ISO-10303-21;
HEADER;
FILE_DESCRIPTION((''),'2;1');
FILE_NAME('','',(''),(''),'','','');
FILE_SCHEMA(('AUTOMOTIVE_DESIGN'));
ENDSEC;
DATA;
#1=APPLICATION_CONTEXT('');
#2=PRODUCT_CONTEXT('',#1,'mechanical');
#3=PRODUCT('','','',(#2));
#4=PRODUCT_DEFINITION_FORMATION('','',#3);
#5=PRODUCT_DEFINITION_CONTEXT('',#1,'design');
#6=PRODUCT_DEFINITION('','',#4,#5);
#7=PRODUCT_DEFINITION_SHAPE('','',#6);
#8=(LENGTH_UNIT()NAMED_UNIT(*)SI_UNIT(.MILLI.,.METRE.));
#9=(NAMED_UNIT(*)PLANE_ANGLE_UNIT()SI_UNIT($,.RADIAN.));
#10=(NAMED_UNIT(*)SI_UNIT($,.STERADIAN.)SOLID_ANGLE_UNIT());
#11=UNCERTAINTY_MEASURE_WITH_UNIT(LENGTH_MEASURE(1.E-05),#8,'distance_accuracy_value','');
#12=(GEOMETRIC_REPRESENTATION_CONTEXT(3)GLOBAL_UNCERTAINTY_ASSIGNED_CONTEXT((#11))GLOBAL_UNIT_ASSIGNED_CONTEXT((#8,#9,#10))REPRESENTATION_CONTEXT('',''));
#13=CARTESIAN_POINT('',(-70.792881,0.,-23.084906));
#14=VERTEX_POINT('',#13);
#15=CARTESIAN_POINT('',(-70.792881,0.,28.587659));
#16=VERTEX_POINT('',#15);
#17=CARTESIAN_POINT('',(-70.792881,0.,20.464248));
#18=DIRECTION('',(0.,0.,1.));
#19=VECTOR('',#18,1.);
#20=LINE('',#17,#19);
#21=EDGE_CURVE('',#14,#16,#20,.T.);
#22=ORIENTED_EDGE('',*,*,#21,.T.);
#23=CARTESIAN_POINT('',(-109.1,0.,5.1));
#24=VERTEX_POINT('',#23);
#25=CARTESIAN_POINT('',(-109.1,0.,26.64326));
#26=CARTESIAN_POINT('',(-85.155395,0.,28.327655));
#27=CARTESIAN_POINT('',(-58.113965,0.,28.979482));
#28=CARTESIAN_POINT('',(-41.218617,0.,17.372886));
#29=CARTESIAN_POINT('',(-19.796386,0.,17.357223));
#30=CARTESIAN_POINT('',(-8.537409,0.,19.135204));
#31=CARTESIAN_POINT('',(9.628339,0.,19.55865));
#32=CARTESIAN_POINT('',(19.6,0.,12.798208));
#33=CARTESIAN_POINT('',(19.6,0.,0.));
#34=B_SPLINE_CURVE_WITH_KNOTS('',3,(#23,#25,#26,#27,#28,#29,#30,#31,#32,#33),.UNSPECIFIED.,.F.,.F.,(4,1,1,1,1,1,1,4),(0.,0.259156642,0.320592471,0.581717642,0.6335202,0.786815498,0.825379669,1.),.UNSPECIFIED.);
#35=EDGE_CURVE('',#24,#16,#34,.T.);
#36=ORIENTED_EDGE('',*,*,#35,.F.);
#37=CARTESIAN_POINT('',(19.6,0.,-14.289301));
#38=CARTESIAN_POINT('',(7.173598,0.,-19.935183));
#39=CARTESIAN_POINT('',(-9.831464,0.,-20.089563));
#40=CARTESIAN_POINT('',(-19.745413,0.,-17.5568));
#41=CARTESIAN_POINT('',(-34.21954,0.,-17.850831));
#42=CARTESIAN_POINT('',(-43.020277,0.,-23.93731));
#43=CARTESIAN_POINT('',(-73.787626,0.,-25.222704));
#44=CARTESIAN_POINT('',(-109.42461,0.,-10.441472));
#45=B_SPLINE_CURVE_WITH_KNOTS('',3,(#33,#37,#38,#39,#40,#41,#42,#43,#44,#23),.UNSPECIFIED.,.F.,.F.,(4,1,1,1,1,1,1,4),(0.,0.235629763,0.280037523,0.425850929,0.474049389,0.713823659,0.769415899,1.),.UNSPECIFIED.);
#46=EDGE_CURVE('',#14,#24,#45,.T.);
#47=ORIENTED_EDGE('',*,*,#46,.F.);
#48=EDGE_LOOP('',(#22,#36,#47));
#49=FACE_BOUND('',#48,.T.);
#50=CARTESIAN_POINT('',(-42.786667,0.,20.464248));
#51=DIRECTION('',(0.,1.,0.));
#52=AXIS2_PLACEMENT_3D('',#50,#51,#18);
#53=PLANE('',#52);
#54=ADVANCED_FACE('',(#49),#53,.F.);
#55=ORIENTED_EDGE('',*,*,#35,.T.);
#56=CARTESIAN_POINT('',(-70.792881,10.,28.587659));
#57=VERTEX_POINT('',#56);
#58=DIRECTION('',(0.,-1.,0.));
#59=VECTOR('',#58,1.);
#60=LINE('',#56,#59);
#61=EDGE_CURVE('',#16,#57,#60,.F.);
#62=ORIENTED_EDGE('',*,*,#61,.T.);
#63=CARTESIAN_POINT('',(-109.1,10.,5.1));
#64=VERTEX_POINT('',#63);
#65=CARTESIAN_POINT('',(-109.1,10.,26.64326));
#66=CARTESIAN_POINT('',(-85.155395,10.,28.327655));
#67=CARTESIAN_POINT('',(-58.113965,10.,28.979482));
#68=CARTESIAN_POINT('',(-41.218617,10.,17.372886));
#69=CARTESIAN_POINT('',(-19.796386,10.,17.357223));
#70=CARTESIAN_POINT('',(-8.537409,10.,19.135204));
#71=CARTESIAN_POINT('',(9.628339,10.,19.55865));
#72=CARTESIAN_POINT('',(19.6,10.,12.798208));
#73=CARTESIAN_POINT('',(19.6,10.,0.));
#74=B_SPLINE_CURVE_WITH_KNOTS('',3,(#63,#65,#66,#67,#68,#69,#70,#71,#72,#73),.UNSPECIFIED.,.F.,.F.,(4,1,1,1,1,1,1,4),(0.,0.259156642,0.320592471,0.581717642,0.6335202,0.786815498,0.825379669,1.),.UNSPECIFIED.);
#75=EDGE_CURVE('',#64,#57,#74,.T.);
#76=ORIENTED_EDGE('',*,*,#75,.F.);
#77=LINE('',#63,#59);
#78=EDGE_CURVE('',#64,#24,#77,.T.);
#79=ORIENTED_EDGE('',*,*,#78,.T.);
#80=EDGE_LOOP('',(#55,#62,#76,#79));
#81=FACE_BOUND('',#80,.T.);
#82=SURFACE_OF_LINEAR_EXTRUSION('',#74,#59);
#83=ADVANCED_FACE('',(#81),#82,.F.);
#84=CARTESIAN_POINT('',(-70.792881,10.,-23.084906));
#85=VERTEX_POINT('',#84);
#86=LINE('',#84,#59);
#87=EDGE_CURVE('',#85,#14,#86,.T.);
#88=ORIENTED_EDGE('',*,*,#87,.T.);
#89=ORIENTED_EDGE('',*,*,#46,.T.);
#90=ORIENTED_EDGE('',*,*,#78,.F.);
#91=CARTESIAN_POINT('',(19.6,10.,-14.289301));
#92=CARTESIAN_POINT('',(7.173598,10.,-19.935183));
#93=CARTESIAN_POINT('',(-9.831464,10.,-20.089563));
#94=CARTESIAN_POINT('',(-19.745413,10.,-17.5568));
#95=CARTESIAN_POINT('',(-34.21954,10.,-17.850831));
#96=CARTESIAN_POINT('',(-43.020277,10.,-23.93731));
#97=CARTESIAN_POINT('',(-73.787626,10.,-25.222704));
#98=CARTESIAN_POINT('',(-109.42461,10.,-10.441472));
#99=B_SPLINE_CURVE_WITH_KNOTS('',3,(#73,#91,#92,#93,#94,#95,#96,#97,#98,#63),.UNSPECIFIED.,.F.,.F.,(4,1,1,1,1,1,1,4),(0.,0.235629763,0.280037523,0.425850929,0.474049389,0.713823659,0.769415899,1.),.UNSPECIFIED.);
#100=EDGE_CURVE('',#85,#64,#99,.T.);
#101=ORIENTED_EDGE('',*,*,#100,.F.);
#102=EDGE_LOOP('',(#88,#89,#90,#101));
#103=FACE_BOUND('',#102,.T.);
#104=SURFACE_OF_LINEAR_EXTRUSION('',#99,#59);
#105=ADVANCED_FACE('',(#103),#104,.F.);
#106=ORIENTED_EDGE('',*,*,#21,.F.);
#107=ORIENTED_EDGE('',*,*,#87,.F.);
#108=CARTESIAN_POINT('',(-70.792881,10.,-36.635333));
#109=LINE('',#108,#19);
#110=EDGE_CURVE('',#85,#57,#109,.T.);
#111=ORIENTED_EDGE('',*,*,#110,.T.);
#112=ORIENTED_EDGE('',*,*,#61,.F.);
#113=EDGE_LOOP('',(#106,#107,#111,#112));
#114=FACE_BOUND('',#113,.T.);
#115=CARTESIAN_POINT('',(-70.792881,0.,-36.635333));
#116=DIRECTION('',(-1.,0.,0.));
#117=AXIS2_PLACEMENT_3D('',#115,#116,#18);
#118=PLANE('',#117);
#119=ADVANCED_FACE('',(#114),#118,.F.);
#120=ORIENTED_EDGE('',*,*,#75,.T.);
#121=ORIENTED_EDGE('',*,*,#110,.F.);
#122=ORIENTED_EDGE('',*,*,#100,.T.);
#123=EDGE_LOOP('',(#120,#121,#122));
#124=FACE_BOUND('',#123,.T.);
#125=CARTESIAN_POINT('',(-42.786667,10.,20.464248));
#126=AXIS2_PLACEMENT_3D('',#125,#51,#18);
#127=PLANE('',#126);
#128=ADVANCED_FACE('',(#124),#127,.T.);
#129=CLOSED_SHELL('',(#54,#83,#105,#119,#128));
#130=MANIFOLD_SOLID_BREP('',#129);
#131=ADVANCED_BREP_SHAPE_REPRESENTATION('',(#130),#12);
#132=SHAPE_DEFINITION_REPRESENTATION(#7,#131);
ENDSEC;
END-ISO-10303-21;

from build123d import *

# Parameters (mm, degrees)
BOSS_EXTRUDE1_DEPTH = 10
SKETCH4_W           = 100.618429476
SKETCH4_H           = 73.47084465
CUT_EXTRUDE1_DEPTH  = 11.0000001


with BuildPart() as part:
    # Sketch2 → Boss-Extrude1 (new body)
    with BuildSketch(Plane(origin=(0, 0, 0), x_dir=(1, 0, 0), z_dir=(0, 1, 0))):
        with BuildLine():
            add(Edge.make_bspline(
                [(-109.1, -5.1), (-109.424609826, 10.441471911), (-73.787625733, 25.22270358), (-43.020276746, 23.937309848), (-34.219540496, 17.85083091), (-19.745412821, 17.556799812), (-9.831464388, 20.08956268), (7.173597662, 19.935183257), (19.6, 14.289300505), (19.6, 0)],
                knots=[0, 0, 0, 0, 0.230584101, 0.286176341, 0.525950611, 0.574149071, 0.719962477, 0.764370237, 1, 1, 1, 1], degree=3))
            add(Edge.make_bspline(
                [(19.6, 0), (19.6, -12.798208112), (9.628339195, -19.558649887), (-8.537408911, -19.135204318), (-19.796385689, -17.357223298), (-41.21861702, -17.372886462), (-58.113965099, -28.979482333), (-85.155395015, -28.327654779), (-109.1, -26.64326042), (-109.1, -5.1)],
                knots=[0, 0, 0, 0, 0.174620331, 0.213184502, 0.3664798, 0.418282358, 0.679407529, 0.740843358, 1, 1, 1, 1], degree=3))
        make_face()
    extrude(amount=BOSS_EXTRUDE1_DEPTH)

    # Sketch4 → Cut-Extrude1 (cut, through all)
    with BuildSketch(Plane(origin=(0, 10, 0), x_dir=(1, 0, 0), z_dir=(0, 1, 0))):
        with Locations((-20.483666123, -0.100088959)):
            Rectangle(SKETCH4_W, SKETCH4_H)
    extrude(amount=-CUT_EXTRUDE1_DEPTH, mode=Mode.SUBTRACT)


solid = part.part
